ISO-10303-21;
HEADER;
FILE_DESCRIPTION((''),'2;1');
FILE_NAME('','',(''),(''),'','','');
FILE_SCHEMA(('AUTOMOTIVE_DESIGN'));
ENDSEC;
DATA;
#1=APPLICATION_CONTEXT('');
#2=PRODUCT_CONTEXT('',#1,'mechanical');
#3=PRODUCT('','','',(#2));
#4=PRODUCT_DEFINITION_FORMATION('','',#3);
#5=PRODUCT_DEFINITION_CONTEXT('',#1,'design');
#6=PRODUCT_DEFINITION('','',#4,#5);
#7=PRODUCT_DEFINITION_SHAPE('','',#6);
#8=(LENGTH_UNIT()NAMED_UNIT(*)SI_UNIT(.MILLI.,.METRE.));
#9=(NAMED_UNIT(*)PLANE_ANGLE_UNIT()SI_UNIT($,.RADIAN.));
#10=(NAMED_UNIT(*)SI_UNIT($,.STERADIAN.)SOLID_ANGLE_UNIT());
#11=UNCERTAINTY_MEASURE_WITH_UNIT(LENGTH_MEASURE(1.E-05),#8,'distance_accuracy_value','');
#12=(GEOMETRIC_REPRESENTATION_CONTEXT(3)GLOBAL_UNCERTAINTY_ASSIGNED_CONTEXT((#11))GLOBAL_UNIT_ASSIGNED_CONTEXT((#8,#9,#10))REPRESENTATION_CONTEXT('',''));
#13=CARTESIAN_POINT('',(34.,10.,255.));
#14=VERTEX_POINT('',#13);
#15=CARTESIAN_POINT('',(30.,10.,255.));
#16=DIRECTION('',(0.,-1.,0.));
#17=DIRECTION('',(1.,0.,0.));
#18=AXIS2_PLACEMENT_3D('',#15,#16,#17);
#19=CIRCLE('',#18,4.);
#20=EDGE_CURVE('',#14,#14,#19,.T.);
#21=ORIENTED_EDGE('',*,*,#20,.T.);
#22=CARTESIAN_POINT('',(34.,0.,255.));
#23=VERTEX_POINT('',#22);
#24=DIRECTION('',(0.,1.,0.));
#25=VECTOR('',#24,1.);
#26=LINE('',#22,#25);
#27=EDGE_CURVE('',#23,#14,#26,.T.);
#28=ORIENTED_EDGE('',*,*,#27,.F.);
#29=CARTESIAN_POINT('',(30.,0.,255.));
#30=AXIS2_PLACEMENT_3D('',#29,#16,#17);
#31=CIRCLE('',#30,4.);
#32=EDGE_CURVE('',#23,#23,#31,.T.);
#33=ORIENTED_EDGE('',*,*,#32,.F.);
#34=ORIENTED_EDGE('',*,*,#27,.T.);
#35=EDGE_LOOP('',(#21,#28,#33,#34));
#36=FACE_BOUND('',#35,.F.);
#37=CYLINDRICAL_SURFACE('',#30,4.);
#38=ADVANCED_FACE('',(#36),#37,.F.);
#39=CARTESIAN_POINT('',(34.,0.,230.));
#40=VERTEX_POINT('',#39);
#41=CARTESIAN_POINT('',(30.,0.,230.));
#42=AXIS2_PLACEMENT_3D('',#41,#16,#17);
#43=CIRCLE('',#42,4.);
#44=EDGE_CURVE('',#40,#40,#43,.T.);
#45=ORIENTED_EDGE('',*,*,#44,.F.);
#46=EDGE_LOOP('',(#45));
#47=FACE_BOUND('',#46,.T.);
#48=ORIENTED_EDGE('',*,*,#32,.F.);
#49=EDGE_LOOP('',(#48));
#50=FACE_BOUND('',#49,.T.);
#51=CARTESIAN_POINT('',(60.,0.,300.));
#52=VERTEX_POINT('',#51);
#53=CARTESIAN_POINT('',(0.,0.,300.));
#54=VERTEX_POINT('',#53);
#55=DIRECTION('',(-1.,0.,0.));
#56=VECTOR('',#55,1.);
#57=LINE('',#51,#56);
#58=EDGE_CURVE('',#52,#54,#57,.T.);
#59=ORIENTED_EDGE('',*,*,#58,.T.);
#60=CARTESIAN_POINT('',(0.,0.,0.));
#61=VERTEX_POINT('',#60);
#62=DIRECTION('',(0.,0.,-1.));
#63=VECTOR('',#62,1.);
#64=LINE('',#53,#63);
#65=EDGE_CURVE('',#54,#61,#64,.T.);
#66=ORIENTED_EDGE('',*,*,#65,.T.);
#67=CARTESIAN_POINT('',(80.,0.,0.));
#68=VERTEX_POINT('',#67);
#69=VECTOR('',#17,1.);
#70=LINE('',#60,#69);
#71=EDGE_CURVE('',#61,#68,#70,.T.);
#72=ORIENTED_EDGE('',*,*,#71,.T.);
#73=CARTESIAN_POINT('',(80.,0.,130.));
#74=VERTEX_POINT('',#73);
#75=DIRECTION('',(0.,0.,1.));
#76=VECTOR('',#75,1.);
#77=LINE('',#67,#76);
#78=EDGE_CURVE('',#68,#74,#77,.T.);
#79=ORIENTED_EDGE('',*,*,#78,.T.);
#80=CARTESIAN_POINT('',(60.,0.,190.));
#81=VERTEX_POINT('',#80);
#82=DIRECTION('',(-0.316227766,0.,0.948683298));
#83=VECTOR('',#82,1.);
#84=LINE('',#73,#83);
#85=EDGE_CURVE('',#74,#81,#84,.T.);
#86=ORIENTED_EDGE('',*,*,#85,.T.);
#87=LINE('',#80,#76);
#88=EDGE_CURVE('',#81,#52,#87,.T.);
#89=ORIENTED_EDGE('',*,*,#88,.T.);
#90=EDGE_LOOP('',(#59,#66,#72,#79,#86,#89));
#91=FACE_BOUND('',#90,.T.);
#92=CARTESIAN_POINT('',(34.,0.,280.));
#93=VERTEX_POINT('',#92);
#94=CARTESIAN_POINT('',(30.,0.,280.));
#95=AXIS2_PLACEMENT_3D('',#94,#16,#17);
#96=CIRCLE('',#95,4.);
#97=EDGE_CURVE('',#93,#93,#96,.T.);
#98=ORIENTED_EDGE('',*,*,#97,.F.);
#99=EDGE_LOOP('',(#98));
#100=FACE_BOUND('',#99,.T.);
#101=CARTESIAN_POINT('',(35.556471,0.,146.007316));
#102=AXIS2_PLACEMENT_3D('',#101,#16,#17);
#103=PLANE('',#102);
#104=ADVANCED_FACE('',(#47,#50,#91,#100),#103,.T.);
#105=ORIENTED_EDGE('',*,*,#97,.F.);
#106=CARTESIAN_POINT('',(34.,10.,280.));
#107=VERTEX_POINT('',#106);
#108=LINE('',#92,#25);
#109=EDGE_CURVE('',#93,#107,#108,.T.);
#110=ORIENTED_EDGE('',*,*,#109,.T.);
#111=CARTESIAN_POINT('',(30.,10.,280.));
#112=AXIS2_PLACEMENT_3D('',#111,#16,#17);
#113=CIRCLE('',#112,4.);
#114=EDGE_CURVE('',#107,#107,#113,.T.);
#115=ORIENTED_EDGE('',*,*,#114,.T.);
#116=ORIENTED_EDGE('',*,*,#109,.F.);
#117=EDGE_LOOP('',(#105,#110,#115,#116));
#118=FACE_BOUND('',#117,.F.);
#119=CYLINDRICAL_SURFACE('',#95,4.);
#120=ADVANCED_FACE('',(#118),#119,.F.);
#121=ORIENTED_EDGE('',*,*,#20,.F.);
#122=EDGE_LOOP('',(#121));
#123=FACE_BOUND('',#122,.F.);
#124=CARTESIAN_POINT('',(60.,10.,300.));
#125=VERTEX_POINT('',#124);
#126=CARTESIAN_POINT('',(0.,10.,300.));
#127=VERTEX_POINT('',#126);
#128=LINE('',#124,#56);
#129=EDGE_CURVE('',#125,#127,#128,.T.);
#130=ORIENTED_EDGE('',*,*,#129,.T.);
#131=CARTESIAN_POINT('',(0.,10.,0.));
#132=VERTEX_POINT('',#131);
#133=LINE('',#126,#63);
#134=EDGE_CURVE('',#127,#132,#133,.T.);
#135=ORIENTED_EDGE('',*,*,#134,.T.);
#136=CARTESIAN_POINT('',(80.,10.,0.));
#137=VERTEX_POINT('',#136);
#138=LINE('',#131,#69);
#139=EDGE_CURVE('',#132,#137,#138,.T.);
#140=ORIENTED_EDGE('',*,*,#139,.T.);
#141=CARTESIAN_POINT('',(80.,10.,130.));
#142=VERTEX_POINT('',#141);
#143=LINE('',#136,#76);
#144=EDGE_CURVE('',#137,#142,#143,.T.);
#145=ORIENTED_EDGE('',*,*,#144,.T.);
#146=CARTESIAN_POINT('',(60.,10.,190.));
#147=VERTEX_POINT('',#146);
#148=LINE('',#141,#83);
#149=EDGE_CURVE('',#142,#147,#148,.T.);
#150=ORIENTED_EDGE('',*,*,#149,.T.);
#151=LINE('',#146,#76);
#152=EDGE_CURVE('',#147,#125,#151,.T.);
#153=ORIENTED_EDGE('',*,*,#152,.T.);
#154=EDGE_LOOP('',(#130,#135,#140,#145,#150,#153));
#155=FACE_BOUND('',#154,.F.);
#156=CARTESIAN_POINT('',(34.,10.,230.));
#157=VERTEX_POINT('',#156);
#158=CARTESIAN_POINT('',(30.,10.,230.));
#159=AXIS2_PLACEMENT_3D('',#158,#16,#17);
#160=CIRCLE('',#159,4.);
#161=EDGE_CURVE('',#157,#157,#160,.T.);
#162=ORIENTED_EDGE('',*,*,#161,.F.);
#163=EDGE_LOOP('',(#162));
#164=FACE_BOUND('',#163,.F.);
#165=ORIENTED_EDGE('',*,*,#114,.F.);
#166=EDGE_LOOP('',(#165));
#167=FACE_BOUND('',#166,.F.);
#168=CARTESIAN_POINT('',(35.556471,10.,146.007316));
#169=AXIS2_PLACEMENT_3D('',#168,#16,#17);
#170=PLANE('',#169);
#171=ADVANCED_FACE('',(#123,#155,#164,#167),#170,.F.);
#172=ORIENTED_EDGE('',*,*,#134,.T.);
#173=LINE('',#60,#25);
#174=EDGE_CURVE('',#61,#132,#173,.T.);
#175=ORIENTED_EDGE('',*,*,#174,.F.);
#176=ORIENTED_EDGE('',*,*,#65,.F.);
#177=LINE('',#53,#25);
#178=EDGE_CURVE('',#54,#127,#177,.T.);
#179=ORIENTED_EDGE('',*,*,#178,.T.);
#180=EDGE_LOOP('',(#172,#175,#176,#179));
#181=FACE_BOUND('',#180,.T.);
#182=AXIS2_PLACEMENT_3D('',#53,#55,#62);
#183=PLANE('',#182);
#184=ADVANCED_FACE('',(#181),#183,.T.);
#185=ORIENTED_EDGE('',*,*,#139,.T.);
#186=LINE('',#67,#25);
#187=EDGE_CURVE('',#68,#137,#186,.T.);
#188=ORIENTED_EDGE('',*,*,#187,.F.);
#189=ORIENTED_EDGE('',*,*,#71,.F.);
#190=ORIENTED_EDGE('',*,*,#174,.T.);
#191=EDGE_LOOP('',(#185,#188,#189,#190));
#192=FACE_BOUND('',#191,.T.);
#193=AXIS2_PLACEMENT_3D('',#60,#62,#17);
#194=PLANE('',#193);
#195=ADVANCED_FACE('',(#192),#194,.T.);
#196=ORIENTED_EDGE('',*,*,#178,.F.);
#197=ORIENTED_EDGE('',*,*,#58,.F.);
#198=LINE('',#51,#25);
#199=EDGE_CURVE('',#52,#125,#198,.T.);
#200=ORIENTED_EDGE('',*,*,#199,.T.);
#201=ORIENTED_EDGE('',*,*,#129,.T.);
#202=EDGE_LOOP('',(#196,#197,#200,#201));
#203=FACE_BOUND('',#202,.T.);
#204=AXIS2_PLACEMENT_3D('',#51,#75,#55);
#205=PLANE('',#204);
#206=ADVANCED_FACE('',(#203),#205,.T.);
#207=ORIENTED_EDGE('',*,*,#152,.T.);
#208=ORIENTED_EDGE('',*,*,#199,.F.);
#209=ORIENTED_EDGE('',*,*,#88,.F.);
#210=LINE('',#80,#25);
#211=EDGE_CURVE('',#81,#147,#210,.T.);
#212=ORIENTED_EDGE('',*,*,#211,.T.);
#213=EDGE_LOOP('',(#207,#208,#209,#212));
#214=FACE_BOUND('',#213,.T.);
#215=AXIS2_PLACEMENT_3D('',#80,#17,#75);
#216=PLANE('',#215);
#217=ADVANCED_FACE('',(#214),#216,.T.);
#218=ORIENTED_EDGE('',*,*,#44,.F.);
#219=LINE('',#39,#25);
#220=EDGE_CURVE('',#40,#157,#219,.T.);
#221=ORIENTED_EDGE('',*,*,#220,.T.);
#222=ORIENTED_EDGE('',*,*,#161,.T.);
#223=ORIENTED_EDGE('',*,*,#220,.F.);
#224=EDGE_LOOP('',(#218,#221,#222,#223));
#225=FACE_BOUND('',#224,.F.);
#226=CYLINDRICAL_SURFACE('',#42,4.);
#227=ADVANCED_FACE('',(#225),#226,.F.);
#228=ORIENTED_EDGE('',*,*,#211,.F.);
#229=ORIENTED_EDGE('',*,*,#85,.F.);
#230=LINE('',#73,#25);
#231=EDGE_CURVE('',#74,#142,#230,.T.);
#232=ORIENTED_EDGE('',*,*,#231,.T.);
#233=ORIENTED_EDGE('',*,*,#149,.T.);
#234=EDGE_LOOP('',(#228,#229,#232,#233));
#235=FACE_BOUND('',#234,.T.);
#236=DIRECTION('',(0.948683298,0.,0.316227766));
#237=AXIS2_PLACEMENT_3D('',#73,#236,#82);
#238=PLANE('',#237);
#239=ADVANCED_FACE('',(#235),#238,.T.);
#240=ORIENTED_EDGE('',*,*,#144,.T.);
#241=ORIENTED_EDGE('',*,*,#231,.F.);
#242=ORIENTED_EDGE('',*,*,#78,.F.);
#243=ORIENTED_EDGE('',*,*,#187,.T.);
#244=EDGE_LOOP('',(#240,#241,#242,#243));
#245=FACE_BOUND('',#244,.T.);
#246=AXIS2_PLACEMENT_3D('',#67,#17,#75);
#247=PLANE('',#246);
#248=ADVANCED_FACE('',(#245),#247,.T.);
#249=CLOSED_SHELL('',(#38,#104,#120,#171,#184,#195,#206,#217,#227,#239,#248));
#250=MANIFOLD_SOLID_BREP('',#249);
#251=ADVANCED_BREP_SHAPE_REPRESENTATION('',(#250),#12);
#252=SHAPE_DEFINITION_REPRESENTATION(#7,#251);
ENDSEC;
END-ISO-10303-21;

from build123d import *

# Parameters (mm, degrees)
F0_R     = 4
F1_DEPTH = 10


with BuildPart() as f1:
    # F0 (on Front) → F1 (new body)
    with BuildSketch(Plane.XZ):
        Polygon((0, 300), (0, 0), (80, 0), (80, 130), (60, 190), (60, 300), align=None)
        with Locations((30, 230)):
            Circle(F0_R, mode=Mode.SUBTRACT)
        with Locations((30, 255)):
            Circle(F0_R, mode=Mode.SUBTRACT)
        with Locations((30, 280)):
            Circle(F0_R, mode=Mode.SUBTRACT)
    extrude(amount=-F1_DEPTH)


solid = f1.part
